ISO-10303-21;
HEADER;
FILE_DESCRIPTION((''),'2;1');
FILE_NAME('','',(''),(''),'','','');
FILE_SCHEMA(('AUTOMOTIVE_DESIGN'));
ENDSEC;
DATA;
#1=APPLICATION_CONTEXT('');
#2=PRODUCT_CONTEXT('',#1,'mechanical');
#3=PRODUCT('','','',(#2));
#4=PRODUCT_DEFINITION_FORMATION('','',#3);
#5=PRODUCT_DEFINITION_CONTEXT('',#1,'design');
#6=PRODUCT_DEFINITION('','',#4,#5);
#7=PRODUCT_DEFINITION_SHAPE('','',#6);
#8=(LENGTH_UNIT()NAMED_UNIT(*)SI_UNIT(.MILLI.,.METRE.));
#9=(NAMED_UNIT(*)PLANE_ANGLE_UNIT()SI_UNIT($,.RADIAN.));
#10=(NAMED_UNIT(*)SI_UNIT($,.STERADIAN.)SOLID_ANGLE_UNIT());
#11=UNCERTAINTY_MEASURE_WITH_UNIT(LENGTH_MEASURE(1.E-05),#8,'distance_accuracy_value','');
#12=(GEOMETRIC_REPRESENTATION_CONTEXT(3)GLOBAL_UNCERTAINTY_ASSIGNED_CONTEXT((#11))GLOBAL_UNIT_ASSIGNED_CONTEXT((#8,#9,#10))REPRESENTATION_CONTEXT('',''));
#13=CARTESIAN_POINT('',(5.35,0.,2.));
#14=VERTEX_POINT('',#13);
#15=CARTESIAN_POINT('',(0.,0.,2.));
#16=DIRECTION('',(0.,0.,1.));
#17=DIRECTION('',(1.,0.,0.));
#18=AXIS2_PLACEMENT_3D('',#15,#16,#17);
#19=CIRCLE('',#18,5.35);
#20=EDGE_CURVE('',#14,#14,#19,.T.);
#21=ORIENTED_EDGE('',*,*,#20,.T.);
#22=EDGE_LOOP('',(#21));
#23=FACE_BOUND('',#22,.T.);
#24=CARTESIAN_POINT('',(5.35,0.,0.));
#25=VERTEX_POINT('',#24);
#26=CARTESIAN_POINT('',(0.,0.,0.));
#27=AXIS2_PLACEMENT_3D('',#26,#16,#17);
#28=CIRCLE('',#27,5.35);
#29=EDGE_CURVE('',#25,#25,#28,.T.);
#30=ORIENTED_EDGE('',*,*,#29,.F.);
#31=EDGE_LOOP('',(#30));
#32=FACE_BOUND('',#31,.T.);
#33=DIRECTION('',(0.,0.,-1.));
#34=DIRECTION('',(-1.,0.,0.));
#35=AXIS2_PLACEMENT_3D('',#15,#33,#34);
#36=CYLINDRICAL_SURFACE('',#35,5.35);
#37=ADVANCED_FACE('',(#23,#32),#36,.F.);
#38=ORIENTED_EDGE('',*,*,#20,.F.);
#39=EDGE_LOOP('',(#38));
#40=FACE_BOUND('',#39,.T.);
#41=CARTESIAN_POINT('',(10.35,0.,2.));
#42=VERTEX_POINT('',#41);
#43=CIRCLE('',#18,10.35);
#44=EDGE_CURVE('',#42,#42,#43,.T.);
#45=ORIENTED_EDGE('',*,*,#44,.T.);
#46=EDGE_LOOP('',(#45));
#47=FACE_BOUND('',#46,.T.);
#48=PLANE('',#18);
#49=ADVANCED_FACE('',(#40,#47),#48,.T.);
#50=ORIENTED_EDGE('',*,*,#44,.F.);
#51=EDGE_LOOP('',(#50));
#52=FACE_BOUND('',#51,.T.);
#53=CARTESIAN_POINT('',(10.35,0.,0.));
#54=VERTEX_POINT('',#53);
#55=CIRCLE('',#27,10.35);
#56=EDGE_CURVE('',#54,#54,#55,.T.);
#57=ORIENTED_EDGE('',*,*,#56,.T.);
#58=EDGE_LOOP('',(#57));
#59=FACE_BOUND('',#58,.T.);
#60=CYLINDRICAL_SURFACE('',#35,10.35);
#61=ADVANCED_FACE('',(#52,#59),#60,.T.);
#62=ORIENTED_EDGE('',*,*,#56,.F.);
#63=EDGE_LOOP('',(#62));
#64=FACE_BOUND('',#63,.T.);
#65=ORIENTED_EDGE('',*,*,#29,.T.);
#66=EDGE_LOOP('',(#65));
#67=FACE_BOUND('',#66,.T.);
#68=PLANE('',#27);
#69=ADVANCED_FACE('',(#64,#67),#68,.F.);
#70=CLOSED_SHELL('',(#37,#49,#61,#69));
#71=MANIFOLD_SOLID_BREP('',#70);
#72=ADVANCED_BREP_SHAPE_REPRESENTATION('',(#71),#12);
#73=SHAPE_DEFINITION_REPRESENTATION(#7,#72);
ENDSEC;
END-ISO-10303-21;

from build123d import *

# Parameters (mm, degrees)
SKETCH1_R           = 10.35
SKETCH1_R_2         = 5.35
BOSS_EXTRUDE1_DEPTH = 2


with BuildPart() as part:
    # Sketch1 → Boss-Extrude1 (new body)
    with BuildSketch(Plane.XY):
        Circle(SKETCH1_R)
        Circle(SKETCH1_R_2, mode=Mode.SUBTRACT)
    extrude(amount=BOSS_EXTRUDE1_DEPTH)


solid = part.part
